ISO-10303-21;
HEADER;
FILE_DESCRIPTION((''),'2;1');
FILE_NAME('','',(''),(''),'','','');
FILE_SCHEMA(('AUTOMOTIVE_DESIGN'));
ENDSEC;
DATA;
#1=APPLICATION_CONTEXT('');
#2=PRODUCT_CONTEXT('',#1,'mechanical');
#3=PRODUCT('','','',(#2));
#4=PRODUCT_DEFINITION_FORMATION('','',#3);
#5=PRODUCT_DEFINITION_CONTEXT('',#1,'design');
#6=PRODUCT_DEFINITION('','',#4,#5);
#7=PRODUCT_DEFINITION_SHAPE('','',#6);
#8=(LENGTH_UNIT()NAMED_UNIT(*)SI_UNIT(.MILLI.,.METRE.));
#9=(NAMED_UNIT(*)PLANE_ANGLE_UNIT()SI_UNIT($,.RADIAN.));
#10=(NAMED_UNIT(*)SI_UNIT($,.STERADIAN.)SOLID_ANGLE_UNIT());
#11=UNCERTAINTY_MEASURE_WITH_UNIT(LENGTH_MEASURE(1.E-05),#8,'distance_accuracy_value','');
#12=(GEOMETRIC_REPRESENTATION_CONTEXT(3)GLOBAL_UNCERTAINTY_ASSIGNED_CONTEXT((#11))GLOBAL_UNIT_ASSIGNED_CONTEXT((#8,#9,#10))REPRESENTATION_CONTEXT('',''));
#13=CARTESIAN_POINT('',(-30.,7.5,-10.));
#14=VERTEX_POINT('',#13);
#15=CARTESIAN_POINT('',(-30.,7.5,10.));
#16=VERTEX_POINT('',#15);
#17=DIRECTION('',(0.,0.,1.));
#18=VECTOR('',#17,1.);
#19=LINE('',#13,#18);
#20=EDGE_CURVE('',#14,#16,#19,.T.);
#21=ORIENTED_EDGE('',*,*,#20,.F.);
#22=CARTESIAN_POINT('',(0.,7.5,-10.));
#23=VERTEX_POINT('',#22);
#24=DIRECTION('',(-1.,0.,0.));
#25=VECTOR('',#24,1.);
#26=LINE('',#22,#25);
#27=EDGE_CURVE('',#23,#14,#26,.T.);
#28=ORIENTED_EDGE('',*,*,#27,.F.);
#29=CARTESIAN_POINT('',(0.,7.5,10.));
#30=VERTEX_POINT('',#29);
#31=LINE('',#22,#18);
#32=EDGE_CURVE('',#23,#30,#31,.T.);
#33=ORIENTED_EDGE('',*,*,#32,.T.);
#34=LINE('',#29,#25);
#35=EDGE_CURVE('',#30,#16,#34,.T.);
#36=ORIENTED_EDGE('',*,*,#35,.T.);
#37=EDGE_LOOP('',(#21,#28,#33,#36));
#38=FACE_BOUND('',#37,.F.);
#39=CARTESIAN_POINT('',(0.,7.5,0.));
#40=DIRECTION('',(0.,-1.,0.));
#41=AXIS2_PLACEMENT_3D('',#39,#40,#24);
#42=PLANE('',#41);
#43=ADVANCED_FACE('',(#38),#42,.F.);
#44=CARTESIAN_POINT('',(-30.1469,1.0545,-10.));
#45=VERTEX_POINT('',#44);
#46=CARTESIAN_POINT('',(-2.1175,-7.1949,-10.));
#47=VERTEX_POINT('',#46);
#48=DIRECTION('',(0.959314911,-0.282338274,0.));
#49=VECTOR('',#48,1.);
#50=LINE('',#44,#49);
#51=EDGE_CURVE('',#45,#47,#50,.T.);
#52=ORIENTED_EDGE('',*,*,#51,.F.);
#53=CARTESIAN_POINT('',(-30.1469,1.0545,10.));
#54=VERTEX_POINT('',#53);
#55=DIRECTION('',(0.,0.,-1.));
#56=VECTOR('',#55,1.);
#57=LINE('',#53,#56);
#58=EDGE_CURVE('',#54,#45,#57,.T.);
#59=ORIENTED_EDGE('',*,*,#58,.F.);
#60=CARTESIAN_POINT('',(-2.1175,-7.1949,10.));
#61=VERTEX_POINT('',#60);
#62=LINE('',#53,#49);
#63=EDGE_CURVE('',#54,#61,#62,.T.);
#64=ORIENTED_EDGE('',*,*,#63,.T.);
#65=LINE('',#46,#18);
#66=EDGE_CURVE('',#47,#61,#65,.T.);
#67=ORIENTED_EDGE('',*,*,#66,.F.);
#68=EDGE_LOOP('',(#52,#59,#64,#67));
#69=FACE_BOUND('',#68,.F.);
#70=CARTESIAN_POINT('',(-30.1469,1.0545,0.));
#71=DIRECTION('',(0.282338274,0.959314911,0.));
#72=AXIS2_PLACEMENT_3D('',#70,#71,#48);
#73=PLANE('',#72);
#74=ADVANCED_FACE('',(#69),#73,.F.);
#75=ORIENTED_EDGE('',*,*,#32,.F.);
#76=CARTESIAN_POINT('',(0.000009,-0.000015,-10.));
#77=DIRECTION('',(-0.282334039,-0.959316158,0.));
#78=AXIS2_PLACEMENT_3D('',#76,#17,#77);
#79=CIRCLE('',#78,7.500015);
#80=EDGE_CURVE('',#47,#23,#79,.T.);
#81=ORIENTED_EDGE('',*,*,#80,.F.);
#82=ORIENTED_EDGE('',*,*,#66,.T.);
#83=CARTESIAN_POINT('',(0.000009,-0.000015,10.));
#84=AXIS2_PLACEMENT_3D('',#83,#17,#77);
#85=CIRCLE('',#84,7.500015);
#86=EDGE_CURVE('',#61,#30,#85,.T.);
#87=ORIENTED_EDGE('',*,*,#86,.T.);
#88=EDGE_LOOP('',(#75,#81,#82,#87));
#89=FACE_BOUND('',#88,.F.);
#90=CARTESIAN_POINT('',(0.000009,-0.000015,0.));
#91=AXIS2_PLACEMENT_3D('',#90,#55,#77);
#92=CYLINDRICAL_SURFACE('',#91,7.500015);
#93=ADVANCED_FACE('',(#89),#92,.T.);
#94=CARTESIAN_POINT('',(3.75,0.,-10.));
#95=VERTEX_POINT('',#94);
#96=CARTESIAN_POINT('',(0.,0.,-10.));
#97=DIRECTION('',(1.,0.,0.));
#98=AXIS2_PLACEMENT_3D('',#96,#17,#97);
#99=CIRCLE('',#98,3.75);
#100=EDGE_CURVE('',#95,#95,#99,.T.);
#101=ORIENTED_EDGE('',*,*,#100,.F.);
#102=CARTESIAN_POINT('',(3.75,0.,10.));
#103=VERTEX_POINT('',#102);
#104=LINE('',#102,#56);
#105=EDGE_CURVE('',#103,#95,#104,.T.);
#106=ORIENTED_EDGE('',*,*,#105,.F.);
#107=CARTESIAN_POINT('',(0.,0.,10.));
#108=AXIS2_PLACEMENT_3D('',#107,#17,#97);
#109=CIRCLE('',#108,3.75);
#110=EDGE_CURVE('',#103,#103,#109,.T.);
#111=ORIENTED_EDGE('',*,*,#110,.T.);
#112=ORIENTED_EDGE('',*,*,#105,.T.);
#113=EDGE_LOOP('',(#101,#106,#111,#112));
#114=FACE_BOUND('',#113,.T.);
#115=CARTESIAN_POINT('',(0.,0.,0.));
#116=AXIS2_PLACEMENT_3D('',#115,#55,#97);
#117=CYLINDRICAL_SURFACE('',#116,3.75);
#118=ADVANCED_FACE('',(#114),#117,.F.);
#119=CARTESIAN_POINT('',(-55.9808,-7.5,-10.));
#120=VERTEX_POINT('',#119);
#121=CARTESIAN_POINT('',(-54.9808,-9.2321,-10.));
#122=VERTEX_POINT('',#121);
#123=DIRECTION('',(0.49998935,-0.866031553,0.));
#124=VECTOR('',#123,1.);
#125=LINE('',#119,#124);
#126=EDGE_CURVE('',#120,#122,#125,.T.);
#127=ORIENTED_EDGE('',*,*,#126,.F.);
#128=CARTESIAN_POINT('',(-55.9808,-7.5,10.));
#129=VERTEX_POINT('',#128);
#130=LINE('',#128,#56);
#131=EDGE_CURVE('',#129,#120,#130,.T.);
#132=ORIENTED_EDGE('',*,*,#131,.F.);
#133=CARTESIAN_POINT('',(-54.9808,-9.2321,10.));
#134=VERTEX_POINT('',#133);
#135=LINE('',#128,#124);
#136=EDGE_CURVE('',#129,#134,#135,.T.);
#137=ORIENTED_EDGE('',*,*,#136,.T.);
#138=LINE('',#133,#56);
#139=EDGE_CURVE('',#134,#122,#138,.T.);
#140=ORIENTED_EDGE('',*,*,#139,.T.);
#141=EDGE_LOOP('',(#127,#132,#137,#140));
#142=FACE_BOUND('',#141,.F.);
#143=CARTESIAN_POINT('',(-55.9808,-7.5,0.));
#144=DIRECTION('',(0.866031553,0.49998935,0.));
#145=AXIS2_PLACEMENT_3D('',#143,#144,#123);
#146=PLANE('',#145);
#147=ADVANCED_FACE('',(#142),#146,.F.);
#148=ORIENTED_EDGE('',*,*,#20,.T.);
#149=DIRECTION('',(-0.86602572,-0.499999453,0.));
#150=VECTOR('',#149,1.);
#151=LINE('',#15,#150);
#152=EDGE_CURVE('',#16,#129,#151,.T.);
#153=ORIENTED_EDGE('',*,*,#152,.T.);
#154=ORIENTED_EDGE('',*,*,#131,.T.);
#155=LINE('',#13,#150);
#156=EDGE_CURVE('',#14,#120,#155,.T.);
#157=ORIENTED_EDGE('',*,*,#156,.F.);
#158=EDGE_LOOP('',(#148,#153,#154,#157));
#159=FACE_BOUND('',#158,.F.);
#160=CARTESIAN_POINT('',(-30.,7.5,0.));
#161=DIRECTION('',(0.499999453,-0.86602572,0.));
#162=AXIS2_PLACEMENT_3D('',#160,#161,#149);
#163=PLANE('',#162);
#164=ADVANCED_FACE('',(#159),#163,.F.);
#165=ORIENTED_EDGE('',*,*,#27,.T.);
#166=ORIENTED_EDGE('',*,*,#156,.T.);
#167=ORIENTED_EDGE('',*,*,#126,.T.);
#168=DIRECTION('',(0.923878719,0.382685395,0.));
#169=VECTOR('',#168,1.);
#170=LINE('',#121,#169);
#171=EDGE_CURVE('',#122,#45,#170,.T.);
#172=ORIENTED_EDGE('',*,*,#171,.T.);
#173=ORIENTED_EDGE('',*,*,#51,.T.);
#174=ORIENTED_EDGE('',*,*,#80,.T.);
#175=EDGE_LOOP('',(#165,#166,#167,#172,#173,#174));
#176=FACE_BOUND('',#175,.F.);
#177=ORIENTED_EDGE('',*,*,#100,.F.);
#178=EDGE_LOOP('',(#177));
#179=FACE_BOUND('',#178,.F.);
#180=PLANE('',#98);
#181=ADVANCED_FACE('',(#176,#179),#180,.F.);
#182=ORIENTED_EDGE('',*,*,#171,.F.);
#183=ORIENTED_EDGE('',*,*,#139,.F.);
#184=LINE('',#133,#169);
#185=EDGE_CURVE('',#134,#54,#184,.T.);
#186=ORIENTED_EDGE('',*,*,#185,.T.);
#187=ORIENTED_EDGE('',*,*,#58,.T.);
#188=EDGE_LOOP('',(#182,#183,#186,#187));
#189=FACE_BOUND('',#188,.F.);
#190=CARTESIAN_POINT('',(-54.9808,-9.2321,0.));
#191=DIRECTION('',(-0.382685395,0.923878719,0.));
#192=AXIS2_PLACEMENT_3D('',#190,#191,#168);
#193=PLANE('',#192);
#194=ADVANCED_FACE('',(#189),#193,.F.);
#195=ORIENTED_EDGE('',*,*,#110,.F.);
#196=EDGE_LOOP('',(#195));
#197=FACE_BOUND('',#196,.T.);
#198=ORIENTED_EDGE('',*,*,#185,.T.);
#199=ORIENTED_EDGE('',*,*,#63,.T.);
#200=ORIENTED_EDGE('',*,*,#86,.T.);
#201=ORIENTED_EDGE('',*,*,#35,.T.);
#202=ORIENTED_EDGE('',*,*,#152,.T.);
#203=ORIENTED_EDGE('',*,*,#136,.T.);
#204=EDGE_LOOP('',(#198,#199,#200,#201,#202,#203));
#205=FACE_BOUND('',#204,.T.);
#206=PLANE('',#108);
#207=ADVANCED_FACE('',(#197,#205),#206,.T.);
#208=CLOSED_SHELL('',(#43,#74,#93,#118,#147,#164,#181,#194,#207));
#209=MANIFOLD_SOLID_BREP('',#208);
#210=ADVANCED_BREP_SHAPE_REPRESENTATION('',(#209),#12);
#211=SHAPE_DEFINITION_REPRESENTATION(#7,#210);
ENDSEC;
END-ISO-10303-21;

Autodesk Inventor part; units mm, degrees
ref_plane "YZ Plane" through (0, 0, 0) normal (1, 0, 0) x (0, 1, 0)
ref_plane "XZ Plane" through (0, 0, 0) normal (0, 1, 0) x (-1, 0, 0)
ref_plane "XY Plane" through (0, 0, 0) normal (0, 0, 1) x (1, 0, 0)
sketch "Sketch1" plane through (0, 0, 0) normal (0, 0, 1) x (1, 0, 0)
  arc A0 (-2.1175, -7.1949) -> (0, 7.5) centre (0, 0) ccw
  circle A1 centre (0, 0) radius 3.75
  line L0 (0, 7.5) -> (-30, 7.5)
  line L1 (-30, 7.5) -> (-55.9808, -7.5)
  line L2 (-55.9808, -7.5) -> (-54.9808, -9.2321)
  line L3 (-54.9808, -9.2321) -> (-30.1469, 1.0545)
  line L4 (-30.1469, 1.0545) -> (-2.1175, -7.1949)
  dimension "d0" = 15
  dimension "d1" = 7.5
  dimension "d2" = 30
  dimension "d3" = 30
  dimension "d4" = 150
  dimension "d5" = 2
  dimension "d6" = 97.5
  dimension "d7" = 6.4455
extrude "Extrusion1" add sketch "Sketch1" along normal mid plane 20
properties part number "Claw" material "Steel, Alloy"
